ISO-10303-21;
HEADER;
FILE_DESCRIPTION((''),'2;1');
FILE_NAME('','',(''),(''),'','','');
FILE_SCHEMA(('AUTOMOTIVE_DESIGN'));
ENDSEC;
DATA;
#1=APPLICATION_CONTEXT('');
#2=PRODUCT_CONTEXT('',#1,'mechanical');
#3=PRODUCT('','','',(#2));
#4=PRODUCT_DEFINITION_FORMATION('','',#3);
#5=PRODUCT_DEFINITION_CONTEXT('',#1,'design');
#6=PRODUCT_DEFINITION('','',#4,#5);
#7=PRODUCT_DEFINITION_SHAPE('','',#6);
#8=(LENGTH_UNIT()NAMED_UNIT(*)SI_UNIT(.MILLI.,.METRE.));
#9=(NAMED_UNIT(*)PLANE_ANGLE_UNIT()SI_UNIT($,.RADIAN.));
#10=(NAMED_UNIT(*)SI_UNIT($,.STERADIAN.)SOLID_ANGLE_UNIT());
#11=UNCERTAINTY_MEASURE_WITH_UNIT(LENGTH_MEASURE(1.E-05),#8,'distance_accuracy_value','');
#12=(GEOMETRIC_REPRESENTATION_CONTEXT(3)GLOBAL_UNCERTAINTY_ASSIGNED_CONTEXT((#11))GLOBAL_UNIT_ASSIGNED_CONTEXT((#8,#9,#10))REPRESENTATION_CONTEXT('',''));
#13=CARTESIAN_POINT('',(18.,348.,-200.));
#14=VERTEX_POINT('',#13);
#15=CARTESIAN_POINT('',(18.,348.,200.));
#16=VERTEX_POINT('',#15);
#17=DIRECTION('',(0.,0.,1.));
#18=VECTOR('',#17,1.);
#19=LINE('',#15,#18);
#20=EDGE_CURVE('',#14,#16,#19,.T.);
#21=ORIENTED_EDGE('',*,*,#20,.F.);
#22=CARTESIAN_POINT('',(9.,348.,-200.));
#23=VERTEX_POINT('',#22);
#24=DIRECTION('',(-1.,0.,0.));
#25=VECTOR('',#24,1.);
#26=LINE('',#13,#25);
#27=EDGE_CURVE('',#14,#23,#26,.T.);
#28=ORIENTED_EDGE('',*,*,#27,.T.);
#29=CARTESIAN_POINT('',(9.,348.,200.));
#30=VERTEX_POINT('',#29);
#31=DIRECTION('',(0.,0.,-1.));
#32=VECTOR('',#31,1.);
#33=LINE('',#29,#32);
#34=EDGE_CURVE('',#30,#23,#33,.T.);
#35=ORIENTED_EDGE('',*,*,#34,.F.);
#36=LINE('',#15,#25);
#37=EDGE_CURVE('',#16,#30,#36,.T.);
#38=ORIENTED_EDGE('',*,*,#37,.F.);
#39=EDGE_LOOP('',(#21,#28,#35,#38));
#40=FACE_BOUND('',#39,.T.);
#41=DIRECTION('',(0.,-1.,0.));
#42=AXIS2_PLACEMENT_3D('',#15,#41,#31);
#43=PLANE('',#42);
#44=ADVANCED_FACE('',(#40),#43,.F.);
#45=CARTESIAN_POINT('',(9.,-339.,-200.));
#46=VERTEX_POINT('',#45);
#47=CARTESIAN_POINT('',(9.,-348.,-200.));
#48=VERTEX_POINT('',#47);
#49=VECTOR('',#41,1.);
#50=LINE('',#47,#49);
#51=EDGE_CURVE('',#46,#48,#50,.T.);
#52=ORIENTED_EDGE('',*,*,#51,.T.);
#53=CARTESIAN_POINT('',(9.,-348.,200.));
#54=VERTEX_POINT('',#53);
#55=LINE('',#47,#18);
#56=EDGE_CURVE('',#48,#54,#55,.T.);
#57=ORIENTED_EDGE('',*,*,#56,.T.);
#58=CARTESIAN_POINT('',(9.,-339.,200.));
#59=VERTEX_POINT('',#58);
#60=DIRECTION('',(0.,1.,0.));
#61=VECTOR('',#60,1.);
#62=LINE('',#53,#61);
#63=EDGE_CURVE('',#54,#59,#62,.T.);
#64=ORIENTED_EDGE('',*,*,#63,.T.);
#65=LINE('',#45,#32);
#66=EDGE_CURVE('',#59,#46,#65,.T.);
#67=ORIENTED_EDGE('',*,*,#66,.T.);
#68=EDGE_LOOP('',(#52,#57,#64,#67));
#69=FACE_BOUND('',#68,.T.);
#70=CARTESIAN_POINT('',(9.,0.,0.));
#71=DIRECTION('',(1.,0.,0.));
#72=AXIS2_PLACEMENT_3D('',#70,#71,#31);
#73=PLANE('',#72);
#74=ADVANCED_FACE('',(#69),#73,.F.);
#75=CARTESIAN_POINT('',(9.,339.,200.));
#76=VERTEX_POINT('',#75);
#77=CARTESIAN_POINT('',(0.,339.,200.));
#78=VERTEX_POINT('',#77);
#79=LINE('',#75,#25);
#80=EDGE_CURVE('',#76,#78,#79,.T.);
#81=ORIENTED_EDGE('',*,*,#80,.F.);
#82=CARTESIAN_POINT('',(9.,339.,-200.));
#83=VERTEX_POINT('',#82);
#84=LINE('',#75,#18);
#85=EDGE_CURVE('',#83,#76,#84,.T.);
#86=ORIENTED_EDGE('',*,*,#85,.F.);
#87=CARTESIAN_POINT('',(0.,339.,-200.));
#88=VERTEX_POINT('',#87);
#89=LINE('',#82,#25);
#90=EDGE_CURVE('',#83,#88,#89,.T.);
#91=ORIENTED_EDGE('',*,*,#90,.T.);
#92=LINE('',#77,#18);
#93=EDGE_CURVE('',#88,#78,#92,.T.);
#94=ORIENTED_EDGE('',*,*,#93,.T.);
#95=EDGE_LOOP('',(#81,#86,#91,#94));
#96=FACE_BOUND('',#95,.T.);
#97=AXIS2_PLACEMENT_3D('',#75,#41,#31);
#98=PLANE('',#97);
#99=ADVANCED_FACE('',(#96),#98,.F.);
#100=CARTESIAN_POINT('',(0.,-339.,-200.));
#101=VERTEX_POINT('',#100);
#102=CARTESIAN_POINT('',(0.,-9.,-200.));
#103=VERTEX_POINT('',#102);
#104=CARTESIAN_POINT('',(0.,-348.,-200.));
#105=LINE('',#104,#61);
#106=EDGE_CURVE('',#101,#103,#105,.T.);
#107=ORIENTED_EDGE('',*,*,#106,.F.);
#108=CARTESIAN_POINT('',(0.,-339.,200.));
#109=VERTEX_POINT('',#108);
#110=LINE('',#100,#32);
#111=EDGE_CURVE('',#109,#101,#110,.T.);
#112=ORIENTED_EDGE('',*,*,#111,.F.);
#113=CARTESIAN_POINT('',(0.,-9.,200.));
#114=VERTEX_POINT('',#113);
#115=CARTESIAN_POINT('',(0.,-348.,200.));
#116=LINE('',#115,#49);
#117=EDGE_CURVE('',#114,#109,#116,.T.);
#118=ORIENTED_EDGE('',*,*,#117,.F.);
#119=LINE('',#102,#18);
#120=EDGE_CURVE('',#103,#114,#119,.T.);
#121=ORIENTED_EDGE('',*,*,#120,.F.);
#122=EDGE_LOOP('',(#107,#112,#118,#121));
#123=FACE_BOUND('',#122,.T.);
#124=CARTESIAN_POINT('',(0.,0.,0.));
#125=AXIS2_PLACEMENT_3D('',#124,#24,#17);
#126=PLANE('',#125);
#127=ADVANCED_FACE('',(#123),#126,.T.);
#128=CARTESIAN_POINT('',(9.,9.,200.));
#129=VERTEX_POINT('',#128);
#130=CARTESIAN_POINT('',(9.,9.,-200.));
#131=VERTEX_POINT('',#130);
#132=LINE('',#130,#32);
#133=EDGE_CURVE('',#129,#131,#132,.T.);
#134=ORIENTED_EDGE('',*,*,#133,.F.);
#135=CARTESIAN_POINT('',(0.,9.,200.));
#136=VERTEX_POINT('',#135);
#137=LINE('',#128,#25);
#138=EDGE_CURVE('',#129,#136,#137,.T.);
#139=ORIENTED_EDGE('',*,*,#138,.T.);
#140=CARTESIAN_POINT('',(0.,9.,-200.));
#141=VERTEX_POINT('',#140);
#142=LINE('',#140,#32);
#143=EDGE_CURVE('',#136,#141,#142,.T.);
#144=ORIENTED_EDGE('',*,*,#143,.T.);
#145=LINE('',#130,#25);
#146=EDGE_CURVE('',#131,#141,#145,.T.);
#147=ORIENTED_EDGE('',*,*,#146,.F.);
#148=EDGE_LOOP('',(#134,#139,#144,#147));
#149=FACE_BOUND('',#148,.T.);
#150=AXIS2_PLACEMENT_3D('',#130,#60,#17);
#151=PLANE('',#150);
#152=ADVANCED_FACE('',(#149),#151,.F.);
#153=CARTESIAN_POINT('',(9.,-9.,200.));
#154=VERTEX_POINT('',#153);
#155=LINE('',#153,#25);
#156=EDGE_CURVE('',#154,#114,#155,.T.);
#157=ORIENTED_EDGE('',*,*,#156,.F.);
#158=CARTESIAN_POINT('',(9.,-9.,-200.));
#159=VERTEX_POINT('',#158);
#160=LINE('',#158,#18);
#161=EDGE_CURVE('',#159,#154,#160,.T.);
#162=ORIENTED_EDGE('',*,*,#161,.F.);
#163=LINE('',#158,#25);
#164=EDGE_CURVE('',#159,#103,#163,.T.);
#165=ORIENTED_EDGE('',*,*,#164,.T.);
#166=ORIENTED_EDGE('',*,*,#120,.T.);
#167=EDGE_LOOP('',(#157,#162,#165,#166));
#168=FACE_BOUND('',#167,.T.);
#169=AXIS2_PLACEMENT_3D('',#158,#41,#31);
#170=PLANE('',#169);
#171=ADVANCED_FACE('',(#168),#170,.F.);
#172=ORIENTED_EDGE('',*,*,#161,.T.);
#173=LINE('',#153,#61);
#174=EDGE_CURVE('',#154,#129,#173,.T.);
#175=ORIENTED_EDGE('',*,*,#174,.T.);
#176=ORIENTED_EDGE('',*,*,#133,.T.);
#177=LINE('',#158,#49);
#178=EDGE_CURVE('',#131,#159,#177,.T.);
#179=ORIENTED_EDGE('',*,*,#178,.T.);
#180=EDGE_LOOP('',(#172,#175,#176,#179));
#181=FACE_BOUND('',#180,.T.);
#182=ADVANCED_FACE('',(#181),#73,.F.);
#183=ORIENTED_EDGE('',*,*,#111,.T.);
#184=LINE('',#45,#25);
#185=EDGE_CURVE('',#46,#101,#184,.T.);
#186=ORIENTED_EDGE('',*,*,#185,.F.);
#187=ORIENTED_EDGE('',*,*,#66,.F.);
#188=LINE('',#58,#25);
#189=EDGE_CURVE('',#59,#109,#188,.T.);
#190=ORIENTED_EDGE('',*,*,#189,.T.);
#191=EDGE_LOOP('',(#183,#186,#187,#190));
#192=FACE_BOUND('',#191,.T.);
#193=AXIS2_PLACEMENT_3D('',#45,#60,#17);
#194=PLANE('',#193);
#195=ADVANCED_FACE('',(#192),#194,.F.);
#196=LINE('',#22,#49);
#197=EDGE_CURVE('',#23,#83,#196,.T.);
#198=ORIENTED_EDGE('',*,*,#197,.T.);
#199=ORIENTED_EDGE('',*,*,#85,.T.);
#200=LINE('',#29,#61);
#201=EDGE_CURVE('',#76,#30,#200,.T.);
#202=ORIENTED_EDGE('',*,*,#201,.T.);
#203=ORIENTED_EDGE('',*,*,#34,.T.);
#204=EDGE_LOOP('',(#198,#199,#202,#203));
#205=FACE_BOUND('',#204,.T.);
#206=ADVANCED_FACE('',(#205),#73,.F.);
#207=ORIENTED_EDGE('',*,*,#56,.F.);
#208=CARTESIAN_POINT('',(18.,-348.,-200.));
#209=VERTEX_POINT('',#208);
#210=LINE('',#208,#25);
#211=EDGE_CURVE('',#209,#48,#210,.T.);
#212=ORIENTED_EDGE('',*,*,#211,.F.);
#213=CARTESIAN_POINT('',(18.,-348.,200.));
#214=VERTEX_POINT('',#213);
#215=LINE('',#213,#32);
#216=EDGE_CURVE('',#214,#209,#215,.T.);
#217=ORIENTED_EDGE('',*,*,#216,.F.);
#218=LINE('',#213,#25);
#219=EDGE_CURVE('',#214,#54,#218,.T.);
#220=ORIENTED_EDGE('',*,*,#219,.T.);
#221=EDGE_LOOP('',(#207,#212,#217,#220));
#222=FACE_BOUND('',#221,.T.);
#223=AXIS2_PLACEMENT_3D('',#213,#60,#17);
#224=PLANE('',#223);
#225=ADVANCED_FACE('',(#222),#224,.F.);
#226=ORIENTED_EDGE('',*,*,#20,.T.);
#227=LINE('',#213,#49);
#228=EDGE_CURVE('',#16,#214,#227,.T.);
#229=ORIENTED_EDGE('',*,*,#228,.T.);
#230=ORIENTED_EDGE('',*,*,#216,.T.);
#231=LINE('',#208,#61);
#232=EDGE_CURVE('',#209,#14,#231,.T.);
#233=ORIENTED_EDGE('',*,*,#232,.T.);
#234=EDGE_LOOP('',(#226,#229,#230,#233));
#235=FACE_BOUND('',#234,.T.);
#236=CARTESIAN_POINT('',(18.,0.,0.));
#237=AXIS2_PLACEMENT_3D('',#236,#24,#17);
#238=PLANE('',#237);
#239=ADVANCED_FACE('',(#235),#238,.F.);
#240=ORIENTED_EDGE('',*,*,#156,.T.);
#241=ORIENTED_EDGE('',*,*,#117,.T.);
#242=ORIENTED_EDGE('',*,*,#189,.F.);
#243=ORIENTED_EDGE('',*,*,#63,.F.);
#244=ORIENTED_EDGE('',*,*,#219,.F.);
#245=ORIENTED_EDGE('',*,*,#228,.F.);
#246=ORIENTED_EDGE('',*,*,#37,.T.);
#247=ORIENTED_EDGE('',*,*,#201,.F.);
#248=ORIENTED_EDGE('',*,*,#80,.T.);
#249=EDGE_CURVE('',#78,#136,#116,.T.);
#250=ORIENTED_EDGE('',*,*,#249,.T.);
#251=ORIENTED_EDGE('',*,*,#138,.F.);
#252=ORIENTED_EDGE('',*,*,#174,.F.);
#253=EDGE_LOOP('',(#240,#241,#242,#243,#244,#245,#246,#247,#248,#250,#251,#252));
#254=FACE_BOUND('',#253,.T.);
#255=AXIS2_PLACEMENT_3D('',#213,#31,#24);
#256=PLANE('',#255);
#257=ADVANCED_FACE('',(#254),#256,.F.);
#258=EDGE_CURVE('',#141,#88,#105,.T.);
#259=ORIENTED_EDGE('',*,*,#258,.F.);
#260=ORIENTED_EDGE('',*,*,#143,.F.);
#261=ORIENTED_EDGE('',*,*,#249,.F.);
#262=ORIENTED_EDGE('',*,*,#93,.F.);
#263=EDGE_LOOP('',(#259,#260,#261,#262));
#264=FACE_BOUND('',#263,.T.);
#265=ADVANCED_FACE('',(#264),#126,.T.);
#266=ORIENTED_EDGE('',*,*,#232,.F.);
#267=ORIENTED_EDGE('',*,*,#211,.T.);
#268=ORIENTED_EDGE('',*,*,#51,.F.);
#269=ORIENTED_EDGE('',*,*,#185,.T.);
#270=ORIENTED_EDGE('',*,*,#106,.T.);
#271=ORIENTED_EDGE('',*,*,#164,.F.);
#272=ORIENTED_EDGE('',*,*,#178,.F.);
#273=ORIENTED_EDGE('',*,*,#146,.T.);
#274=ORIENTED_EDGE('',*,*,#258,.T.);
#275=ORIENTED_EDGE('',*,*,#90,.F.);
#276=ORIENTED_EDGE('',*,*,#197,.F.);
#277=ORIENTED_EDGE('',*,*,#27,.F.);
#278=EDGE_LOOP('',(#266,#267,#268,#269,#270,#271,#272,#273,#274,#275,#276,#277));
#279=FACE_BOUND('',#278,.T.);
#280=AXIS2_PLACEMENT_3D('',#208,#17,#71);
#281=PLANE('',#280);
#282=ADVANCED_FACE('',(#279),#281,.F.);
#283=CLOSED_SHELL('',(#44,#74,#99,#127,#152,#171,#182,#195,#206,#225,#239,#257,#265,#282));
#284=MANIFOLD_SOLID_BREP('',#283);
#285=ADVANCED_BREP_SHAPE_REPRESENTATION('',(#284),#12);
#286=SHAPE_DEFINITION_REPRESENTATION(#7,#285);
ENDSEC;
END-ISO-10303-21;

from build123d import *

# Parameters (mm, degrees)
SKETCH1_W           = 400
SKETCH1_H           = 696
BOSS_EXTRUDE1_DEPTH = 18
SKETCH2_W           = 400
SKETCH2_H           = 9
CUT_EXTRUDE1_DEPTH  = 9
SKETCH3_W           = 400
SKETCH3_H           = 18
CUT_EXTRUDE2_DEPTH  = 9


with BuildPart() as part:
    # Sketch1 → Boss-Extrude1 (new body)
    with BuildSketch(Plane(origin=(0, 0, 0), x_dir=(0, 0, -1), z_dir=(1, 0, 0))):
        Rectangle(SKETCH1_W, SKETCH1_H)
    extrude(amount=BOSS_EXTRUDE1_DEPTH)

    # Sketch2 → Cut-Extrude1 (cut)
    with BuildSketch(Plane.ZY):
        with Locations((0, -343.5)):
            Rectangle(SKETCH2_W, SKETCH2_H)
        with Locations((0, 343.5)):
            Rectangle(SKETCH2_W, SKETCH2_H)
    extrude(amount=-CUT_EXTRUDE1_DEPTH, mode=Mode.SUBTRACT)

    # Sketch3 → Cut-Extrude2 (cut)
    with BuildSketch(Plane.ZY):
        Rectangle(SKETCH3_W, SKETCH3_H)
    extrude(amount=-CUT_EXTRUDE2_DEPTH, mode=Mode.SUBTRACT)


solid = part.part
